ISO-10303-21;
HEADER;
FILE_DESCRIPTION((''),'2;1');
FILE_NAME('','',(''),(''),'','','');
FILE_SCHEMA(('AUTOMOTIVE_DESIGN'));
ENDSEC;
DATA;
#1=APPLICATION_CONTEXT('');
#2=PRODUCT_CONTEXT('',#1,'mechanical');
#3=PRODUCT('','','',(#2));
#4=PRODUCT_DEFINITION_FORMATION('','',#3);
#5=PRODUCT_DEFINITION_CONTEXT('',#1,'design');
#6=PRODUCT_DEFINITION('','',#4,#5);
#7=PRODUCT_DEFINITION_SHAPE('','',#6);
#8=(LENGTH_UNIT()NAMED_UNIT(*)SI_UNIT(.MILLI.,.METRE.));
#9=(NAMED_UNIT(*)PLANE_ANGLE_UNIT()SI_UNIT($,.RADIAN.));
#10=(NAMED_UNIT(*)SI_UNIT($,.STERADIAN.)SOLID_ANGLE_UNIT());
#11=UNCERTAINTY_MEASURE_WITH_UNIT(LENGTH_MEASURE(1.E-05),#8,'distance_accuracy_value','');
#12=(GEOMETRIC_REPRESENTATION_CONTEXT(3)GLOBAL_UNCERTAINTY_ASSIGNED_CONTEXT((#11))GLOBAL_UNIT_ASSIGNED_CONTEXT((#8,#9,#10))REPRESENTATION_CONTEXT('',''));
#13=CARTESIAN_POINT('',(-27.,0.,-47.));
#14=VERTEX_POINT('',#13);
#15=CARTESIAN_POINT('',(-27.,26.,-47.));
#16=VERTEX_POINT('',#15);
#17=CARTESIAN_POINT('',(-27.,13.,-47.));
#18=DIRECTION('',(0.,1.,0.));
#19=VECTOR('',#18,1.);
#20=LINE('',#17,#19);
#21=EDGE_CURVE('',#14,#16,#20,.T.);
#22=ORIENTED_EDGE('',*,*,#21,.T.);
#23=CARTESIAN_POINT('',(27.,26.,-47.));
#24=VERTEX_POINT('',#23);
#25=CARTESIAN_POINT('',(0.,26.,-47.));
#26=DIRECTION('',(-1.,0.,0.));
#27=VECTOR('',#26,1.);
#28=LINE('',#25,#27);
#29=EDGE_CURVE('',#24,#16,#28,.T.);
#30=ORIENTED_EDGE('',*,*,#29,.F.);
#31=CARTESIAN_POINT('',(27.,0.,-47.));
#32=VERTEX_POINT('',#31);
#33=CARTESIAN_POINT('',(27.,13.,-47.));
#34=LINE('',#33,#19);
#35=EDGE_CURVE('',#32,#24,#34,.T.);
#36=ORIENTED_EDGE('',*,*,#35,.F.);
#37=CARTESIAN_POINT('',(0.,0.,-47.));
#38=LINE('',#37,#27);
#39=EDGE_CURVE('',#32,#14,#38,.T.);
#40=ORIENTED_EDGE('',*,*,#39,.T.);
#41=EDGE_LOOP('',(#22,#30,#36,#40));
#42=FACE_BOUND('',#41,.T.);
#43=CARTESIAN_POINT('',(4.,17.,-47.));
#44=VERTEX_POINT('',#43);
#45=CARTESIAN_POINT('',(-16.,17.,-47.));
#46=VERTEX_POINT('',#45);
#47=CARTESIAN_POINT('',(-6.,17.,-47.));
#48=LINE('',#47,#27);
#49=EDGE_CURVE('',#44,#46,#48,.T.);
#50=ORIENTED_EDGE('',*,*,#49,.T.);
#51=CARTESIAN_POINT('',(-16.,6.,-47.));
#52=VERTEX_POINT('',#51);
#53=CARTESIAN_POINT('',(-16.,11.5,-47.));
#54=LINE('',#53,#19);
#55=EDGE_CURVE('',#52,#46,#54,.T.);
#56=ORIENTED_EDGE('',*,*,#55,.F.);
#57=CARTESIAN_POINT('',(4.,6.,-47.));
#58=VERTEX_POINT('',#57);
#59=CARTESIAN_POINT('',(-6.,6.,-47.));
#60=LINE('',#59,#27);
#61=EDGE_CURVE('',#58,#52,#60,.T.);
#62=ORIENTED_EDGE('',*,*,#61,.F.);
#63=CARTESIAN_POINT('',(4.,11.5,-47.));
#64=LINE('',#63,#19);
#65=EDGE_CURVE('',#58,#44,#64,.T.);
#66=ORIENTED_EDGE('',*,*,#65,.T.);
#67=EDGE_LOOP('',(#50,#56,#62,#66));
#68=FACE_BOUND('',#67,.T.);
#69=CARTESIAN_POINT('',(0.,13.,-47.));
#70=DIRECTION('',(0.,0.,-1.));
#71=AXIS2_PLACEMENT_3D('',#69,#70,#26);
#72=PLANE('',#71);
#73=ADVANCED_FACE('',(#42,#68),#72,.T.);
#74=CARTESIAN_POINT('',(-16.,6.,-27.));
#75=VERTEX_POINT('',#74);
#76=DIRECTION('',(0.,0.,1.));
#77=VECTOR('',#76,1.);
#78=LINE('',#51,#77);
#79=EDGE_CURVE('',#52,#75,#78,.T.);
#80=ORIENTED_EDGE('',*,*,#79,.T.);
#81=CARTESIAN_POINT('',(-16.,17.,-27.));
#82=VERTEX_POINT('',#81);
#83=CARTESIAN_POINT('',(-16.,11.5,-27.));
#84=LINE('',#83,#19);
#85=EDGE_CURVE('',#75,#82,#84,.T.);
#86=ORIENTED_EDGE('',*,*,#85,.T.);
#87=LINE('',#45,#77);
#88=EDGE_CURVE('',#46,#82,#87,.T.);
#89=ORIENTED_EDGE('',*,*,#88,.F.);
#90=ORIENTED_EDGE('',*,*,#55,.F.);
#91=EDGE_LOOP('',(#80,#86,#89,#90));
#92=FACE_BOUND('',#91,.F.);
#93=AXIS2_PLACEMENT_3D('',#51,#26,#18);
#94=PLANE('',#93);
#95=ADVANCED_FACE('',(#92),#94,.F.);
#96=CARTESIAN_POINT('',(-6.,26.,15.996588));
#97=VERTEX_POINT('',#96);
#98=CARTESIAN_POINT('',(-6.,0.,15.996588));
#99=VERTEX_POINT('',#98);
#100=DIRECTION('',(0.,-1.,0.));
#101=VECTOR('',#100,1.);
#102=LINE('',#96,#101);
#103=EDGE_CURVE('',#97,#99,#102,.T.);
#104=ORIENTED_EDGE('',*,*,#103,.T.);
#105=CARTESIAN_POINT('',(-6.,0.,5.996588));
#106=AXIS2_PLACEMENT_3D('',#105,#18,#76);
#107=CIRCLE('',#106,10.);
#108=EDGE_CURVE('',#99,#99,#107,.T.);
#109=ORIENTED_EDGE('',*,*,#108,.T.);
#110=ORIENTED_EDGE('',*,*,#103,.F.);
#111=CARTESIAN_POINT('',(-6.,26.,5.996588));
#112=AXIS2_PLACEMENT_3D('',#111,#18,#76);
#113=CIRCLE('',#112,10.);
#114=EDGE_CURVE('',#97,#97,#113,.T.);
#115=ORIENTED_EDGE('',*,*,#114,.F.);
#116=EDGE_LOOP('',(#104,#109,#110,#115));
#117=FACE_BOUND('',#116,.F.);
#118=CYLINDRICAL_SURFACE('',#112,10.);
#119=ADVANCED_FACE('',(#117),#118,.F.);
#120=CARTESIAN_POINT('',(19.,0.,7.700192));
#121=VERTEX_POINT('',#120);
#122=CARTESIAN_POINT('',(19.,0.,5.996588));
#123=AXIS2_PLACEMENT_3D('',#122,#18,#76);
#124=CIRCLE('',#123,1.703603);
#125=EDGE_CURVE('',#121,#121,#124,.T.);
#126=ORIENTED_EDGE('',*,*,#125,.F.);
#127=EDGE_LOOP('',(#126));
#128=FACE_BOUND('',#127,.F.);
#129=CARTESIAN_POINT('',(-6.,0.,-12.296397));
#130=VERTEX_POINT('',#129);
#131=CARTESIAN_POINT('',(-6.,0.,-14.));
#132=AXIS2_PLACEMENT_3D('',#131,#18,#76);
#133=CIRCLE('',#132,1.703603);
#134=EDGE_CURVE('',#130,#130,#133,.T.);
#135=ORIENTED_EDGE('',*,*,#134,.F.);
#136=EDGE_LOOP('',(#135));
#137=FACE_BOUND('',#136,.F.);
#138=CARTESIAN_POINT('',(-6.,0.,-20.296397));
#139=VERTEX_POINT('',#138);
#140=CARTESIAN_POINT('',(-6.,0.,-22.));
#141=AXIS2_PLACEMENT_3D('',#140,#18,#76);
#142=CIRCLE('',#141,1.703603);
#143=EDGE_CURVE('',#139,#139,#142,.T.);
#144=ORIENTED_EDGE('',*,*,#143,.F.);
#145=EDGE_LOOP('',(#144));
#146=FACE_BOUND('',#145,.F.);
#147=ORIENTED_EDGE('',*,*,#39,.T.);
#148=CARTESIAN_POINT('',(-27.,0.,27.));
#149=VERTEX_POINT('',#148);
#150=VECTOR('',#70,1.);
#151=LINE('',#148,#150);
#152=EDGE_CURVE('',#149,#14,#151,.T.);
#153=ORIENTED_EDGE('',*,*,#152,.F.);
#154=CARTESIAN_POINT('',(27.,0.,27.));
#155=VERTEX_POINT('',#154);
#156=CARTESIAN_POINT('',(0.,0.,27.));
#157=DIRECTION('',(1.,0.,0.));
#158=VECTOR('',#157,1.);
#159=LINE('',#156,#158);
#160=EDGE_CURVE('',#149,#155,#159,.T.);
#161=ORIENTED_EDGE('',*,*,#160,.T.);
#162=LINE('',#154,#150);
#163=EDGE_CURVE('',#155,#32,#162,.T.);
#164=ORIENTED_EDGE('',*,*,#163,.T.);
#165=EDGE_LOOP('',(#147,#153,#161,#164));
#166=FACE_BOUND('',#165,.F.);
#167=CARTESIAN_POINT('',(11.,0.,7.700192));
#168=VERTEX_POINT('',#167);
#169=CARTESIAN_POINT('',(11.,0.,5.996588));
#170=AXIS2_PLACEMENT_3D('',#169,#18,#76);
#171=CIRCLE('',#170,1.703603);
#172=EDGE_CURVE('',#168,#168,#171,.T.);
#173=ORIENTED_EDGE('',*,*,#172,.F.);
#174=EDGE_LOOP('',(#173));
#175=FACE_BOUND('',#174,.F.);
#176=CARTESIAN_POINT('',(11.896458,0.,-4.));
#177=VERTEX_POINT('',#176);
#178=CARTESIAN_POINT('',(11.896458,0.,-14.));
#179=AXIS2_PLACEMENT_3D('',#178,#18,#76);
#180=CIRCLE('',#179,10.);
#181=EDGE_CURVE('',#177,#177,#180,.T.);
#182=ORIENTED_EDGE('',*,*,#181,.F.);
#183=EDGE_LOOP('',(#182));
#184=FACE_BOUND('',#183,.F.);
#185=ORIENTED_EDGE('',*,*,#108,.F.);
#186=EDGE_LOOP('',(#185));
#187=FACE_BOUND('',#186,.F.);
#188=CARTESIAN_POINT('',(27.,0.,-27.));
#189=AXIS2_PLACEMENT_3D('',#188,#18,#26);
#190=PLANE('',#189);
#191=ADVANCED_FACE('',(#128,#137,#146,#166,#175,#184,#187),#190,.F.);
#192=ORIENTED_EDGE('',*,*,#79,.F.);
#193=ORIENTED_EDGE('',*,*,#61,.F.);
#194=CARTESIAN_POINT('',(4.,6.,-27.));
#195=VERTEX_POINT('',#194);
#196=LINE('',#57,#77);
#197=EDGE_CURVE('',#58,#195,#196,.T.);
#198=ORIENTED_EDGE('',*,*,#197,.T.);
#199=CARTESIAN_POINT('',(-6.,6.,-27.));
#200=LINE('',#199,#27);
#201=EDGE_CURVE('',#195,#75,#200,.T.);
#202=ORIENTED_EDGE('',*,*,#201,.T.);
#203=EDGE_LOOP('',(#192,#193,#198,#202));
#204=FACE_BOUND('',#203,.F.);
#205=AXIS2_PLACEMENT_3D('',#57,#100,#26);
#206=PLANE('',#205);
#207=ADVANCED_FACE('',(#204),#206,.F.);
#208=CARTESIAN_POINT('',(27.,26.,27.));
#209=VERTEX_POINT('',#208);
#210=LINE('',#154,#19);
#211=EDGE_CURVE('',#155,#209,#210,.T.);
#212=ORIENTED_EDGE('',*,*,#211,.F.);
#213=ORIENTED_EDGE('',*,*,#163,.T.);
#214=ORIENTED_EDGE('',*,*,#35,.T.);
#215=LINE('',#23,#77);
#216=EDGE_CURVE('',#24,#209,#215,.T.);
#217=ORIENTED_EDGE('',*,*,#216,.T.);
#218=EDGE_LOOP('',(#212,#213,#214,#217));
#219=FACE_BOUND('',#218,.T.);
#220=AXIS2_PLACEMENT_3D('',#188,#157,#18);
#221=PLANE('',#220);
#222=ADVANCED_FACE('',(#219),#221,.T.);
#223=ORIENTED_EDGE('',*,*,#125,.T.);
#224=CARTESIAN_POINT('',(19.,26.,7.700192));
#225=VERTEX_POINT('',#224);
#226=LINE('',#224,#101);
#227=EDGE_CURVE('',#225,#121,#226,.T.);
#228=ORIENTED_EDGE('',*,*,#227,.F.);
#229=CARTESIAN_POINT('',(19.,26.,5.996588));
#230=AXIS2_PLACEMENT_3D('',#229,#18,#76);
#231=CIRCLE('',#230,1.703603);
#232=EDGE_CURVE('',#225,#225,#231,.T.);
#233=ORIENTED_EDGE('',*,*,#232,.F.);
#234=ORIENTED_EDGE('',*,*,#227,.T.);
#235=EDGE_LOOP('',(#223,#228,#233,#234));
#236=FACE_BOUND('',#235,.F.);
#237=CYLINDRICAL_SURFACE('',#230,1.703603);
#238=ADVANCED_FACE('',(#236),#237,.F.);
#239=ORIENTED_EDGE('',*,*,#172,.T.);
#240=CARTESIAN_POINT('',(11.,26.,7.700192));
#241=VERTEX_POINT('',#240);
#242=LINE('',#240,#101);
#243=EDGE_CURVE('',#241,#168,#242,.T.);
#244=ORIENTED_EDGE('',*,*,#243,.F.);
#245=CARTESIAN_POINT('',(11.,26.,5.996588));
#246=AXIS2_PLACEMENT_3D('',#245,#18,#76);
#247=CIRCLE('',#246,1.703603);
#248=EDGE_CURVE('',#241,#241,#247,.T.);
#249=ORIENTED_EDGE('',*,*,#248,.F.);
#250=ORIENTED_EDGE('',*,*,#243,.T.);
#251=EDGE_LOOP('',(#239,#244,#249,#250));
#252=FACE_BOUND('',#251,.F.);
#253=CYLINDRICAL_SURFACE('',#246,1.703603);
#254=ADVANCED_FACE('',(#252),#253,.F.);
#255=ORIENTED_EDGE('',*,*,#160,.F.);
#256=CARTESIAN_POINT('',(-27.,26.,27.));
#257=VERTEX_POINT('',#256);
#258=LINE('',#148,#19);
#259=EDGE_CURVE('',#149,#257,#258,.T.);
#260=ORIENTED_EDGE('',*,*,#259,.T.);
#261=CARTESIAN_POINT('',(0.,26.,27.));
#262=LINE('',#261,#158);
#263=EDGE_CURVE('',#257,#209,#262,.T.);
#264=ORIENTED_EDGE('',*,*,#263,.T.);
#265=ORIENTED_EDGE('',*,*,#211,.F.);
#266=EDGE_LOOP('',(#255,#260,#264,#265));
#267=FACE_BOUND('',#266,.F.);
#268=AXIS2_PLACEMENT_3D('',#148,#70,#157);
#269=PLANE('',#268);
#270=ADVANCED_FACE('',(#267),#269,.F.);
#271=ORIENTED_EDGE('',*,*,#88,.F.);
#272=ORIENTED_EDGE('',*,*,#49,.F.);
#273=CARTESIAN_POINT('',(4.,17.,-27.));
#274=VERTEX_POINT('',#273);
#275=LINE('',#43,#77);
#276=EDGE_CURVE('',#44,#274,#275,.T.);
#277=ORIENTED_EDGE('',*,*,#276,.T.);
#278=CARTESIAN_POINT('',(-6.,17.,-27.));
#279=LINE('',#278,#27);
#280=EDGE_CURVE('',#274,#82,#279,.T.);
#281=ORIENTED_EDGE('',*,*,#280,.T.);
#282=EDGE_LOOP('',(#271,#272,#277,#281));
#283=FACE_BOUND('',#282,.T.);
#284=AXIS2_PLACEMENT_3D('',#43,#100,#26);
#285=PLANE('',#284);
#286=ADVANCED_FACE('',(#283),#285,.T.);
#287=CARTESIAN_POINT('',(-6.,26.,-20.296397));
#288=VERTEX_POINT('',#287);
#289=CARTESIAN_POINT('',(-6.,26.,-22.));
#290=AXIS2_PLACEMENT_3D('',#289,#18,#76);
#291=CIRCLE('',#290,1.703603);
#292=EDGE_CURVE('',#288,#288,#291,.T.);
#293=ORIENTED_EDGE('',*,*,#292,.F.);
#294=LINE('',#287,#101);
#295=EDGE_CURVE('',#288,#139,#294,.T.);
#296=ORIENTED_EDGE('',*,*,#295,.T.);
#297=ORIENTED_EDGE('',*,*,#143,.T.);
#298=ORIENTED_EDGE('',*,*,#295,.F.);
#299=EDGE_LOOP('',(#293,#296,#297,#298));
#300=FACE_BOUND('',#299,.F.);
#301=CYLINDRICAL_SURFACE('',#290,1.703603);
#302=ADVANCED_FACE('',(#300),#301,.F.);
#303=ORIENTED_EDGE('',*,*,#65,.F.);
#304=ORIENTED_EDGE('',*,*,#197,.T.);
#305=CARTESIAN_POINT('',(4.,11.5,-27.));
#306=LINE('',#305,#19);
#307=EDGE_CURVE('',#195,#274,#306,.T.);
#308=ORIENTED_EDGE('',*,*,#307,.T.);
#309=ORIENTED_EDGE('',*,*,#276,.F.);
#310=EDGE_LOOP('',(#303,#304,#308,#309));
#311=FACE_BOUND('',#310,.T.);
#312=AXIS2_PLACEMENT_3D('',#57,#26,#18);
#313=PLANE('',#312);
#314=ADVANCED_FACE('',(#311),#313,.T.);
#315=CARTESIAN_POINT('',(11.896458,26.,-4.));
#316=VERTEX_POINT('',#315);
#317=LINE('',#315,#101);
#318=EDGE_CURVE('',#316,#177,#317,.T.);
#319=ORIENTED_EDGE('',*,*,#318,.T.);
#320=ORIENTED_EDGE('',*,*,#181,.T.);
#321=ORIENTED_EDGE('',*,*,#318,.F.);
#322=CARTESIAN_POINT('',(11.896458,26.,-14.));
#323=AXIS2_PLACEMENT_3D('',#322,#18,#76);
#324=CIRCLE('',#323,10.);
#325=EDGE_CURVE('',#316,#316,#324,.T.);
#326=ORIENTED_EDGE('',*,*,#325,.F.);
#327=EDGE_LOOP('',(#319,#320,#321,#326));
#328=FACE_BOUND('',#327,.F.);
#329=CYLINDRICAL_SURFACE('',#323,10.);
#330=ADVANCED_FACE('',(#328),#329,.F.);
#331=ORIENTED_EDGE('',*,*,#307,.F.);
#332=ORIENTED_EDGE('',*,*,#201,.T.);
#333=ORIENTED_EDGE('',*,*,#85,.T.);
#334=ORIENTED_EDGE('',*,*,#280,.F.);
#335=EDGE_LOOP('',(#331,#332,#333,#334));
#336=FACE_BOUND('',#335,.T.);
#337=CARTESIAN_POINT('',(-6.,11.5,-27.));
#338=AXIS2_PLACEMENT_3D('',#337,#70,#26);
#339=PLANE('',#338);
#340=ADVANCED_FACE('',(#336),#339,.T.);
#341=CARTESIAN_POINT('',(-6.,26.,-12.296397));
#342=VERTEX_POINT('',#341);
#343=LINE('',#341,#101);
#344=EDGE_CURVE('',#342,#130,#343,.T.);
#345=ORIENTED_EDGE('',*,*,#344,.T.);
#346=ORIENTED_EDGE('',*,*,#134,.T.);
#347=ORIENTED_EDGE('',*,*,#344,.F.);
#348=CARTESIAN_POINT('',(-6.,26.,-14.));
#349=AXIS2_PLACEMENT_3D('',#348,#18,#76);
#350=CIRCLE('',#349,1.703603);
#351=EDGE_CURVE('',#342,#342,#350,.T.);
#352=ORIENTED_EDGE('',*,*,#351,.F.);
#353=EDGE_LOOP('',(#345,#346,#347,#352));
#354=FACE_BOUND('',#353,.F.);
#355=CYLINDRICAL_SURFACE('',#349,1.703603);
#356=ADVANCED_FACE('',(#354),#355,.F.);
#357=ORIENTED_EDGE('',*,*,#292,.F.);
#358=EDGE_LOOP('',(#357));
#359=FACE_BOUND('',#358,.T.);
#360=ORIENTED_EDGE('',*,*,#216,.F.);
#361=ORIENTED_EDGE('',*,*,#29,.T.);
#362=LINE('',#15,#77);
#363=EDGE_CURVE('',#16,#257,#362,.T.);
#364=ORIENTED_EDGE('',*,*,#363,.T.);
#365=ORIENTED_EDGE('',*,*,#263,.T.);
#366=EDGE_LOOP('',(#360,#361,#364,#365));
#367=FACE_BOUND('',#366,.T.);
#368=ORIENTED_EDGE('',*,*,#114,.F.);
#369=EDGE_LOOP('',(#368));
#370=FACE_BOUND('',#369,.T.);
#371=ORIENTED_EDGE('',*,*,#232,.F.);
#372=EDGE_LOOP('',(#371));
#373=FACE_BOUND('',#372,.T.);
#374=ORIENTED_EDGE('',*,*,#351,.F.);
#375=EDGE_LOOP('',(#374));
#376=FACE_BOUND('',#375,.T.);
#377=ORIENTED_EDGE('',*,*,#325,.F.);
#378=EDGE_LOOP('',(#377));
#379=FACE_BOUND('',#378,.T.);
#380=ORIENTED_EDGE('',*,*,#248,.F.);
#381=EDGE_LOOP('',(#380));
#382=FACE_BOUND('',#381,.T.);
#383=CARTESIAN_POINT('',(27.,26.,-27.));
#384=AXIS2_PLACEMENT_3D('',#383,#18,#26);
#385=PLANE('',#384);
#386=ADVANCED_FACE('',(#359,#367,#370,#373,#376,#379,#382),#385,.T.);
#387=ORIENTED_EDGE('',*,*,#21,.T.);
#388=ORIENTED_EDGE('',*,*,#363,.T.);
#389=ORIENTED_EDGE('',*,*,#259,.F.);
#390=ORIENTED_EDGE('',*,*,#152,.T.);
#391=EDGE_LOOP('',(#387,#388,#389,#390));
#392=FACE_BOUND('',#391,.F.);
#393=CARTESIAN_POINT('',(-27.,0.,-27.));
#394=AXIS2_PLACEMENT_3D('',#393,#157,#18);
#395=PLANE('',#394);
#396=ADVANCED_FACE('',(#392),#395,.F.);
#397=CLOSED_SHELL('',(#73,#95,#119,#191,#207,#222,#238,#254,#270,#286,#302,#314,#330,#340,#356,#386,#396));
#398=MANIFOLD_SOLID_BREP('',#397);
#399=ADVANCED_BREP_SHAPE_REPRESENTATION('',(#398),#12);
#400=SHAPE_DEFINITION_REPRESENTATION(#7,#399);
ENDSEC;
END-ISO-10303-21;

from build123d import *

# Parameters (mm, degrees)
SKETCH1_W           = 54
SKETCH1_H           = 54
BOSS_EXTRUDE1_DEPTH = 26
SKETCH2_R           = 1.70360319
SKETCH2_R_2         = 10
CUT_EXTRUDE1_DEPTH  = 47.19523785
SKETCH3_W           = 54
SKETCH3_H           = 26
BOSS_EXTRUDE2_DEPTH = 20
SKETCH4_W           = 20
SKETCH4_H           = 11
CUT_EXTRUDE2_DEPTH  = 20


with BuildPart() as part:
    # Sketch1 → Boss-Extrude1 (new body)
    with BuildSketch(Plane(origin=(0, 0, 0), x_dir=(1, 0, 0), z_dir=(0, 1, 0))):
        Rectangle(SKETCH1_W, SKETCH1_H)
    extrude(amount=BOSS_EXTRUDE1_DEPTH)

    # Sketch2 → Cut-Extrude1 (cut, through all)
    with BuildSketch(Plane(origin=(0, 26, 0), x_dir=(1, 0, 0), z_dir=(0, 1, 0))):
        with Locations(Location((-6, 22, 0), (0, 0, 270))):
            Circle(SKETCH2_R)
        with Locations(Location((-6, 14, 0), (0, 0, 270))):
            Circle(SKETCH2_R)
        with Locations(Location((19, -5.996588382, 0), (0, 0, 270))):
            Circle(SKETCH2_R)
        with Locations(Location((11, -5.996588382, 0), (0, 0, 270))):
            Circle(SKETCH2_R)
        with Locations(Location((11.896457598, 14, 0), (0, 0, 270))):
            Circle(SKETCH2_R_2)
        with Locations(Location((-6, -5.996588382, 0), (0, 0, 270))):
            Circle(SKETCH2_R_2)
    extrude(amount=-CUT_EXTRUDE1_DEPTH, mode=Mode.SUBTRACT)

    # Sketch3 → Boss-Extrude2 (add)
    with BuildSketch(Plane(origin=(0, 0, -27), x_dir=(-1, 0, 0), z_dir=(0, 0, -1))):
        with Locations((0, 13)):
            Rectangle(SKETCH3_W, SKETCH3_H)
    extrude(amount=BOSS_EXTRUDE2_DEPTH)

    # Sketch4 → Cut-Extrude2 (cut)
    with BuildSketch(Plane(origin=(0, 0, -47), x_dir=(-1, 0, 0), z_dir=(0, 0, -1))):
        with Locations((6, 11.5)):
            Rectangle(SKETCH4_W, SKETCH4_H)
    extrude(amount=-CUT_EXTRUDE2_DEPTH, mode=Mode.SUBTRACT)


solid = part.part
